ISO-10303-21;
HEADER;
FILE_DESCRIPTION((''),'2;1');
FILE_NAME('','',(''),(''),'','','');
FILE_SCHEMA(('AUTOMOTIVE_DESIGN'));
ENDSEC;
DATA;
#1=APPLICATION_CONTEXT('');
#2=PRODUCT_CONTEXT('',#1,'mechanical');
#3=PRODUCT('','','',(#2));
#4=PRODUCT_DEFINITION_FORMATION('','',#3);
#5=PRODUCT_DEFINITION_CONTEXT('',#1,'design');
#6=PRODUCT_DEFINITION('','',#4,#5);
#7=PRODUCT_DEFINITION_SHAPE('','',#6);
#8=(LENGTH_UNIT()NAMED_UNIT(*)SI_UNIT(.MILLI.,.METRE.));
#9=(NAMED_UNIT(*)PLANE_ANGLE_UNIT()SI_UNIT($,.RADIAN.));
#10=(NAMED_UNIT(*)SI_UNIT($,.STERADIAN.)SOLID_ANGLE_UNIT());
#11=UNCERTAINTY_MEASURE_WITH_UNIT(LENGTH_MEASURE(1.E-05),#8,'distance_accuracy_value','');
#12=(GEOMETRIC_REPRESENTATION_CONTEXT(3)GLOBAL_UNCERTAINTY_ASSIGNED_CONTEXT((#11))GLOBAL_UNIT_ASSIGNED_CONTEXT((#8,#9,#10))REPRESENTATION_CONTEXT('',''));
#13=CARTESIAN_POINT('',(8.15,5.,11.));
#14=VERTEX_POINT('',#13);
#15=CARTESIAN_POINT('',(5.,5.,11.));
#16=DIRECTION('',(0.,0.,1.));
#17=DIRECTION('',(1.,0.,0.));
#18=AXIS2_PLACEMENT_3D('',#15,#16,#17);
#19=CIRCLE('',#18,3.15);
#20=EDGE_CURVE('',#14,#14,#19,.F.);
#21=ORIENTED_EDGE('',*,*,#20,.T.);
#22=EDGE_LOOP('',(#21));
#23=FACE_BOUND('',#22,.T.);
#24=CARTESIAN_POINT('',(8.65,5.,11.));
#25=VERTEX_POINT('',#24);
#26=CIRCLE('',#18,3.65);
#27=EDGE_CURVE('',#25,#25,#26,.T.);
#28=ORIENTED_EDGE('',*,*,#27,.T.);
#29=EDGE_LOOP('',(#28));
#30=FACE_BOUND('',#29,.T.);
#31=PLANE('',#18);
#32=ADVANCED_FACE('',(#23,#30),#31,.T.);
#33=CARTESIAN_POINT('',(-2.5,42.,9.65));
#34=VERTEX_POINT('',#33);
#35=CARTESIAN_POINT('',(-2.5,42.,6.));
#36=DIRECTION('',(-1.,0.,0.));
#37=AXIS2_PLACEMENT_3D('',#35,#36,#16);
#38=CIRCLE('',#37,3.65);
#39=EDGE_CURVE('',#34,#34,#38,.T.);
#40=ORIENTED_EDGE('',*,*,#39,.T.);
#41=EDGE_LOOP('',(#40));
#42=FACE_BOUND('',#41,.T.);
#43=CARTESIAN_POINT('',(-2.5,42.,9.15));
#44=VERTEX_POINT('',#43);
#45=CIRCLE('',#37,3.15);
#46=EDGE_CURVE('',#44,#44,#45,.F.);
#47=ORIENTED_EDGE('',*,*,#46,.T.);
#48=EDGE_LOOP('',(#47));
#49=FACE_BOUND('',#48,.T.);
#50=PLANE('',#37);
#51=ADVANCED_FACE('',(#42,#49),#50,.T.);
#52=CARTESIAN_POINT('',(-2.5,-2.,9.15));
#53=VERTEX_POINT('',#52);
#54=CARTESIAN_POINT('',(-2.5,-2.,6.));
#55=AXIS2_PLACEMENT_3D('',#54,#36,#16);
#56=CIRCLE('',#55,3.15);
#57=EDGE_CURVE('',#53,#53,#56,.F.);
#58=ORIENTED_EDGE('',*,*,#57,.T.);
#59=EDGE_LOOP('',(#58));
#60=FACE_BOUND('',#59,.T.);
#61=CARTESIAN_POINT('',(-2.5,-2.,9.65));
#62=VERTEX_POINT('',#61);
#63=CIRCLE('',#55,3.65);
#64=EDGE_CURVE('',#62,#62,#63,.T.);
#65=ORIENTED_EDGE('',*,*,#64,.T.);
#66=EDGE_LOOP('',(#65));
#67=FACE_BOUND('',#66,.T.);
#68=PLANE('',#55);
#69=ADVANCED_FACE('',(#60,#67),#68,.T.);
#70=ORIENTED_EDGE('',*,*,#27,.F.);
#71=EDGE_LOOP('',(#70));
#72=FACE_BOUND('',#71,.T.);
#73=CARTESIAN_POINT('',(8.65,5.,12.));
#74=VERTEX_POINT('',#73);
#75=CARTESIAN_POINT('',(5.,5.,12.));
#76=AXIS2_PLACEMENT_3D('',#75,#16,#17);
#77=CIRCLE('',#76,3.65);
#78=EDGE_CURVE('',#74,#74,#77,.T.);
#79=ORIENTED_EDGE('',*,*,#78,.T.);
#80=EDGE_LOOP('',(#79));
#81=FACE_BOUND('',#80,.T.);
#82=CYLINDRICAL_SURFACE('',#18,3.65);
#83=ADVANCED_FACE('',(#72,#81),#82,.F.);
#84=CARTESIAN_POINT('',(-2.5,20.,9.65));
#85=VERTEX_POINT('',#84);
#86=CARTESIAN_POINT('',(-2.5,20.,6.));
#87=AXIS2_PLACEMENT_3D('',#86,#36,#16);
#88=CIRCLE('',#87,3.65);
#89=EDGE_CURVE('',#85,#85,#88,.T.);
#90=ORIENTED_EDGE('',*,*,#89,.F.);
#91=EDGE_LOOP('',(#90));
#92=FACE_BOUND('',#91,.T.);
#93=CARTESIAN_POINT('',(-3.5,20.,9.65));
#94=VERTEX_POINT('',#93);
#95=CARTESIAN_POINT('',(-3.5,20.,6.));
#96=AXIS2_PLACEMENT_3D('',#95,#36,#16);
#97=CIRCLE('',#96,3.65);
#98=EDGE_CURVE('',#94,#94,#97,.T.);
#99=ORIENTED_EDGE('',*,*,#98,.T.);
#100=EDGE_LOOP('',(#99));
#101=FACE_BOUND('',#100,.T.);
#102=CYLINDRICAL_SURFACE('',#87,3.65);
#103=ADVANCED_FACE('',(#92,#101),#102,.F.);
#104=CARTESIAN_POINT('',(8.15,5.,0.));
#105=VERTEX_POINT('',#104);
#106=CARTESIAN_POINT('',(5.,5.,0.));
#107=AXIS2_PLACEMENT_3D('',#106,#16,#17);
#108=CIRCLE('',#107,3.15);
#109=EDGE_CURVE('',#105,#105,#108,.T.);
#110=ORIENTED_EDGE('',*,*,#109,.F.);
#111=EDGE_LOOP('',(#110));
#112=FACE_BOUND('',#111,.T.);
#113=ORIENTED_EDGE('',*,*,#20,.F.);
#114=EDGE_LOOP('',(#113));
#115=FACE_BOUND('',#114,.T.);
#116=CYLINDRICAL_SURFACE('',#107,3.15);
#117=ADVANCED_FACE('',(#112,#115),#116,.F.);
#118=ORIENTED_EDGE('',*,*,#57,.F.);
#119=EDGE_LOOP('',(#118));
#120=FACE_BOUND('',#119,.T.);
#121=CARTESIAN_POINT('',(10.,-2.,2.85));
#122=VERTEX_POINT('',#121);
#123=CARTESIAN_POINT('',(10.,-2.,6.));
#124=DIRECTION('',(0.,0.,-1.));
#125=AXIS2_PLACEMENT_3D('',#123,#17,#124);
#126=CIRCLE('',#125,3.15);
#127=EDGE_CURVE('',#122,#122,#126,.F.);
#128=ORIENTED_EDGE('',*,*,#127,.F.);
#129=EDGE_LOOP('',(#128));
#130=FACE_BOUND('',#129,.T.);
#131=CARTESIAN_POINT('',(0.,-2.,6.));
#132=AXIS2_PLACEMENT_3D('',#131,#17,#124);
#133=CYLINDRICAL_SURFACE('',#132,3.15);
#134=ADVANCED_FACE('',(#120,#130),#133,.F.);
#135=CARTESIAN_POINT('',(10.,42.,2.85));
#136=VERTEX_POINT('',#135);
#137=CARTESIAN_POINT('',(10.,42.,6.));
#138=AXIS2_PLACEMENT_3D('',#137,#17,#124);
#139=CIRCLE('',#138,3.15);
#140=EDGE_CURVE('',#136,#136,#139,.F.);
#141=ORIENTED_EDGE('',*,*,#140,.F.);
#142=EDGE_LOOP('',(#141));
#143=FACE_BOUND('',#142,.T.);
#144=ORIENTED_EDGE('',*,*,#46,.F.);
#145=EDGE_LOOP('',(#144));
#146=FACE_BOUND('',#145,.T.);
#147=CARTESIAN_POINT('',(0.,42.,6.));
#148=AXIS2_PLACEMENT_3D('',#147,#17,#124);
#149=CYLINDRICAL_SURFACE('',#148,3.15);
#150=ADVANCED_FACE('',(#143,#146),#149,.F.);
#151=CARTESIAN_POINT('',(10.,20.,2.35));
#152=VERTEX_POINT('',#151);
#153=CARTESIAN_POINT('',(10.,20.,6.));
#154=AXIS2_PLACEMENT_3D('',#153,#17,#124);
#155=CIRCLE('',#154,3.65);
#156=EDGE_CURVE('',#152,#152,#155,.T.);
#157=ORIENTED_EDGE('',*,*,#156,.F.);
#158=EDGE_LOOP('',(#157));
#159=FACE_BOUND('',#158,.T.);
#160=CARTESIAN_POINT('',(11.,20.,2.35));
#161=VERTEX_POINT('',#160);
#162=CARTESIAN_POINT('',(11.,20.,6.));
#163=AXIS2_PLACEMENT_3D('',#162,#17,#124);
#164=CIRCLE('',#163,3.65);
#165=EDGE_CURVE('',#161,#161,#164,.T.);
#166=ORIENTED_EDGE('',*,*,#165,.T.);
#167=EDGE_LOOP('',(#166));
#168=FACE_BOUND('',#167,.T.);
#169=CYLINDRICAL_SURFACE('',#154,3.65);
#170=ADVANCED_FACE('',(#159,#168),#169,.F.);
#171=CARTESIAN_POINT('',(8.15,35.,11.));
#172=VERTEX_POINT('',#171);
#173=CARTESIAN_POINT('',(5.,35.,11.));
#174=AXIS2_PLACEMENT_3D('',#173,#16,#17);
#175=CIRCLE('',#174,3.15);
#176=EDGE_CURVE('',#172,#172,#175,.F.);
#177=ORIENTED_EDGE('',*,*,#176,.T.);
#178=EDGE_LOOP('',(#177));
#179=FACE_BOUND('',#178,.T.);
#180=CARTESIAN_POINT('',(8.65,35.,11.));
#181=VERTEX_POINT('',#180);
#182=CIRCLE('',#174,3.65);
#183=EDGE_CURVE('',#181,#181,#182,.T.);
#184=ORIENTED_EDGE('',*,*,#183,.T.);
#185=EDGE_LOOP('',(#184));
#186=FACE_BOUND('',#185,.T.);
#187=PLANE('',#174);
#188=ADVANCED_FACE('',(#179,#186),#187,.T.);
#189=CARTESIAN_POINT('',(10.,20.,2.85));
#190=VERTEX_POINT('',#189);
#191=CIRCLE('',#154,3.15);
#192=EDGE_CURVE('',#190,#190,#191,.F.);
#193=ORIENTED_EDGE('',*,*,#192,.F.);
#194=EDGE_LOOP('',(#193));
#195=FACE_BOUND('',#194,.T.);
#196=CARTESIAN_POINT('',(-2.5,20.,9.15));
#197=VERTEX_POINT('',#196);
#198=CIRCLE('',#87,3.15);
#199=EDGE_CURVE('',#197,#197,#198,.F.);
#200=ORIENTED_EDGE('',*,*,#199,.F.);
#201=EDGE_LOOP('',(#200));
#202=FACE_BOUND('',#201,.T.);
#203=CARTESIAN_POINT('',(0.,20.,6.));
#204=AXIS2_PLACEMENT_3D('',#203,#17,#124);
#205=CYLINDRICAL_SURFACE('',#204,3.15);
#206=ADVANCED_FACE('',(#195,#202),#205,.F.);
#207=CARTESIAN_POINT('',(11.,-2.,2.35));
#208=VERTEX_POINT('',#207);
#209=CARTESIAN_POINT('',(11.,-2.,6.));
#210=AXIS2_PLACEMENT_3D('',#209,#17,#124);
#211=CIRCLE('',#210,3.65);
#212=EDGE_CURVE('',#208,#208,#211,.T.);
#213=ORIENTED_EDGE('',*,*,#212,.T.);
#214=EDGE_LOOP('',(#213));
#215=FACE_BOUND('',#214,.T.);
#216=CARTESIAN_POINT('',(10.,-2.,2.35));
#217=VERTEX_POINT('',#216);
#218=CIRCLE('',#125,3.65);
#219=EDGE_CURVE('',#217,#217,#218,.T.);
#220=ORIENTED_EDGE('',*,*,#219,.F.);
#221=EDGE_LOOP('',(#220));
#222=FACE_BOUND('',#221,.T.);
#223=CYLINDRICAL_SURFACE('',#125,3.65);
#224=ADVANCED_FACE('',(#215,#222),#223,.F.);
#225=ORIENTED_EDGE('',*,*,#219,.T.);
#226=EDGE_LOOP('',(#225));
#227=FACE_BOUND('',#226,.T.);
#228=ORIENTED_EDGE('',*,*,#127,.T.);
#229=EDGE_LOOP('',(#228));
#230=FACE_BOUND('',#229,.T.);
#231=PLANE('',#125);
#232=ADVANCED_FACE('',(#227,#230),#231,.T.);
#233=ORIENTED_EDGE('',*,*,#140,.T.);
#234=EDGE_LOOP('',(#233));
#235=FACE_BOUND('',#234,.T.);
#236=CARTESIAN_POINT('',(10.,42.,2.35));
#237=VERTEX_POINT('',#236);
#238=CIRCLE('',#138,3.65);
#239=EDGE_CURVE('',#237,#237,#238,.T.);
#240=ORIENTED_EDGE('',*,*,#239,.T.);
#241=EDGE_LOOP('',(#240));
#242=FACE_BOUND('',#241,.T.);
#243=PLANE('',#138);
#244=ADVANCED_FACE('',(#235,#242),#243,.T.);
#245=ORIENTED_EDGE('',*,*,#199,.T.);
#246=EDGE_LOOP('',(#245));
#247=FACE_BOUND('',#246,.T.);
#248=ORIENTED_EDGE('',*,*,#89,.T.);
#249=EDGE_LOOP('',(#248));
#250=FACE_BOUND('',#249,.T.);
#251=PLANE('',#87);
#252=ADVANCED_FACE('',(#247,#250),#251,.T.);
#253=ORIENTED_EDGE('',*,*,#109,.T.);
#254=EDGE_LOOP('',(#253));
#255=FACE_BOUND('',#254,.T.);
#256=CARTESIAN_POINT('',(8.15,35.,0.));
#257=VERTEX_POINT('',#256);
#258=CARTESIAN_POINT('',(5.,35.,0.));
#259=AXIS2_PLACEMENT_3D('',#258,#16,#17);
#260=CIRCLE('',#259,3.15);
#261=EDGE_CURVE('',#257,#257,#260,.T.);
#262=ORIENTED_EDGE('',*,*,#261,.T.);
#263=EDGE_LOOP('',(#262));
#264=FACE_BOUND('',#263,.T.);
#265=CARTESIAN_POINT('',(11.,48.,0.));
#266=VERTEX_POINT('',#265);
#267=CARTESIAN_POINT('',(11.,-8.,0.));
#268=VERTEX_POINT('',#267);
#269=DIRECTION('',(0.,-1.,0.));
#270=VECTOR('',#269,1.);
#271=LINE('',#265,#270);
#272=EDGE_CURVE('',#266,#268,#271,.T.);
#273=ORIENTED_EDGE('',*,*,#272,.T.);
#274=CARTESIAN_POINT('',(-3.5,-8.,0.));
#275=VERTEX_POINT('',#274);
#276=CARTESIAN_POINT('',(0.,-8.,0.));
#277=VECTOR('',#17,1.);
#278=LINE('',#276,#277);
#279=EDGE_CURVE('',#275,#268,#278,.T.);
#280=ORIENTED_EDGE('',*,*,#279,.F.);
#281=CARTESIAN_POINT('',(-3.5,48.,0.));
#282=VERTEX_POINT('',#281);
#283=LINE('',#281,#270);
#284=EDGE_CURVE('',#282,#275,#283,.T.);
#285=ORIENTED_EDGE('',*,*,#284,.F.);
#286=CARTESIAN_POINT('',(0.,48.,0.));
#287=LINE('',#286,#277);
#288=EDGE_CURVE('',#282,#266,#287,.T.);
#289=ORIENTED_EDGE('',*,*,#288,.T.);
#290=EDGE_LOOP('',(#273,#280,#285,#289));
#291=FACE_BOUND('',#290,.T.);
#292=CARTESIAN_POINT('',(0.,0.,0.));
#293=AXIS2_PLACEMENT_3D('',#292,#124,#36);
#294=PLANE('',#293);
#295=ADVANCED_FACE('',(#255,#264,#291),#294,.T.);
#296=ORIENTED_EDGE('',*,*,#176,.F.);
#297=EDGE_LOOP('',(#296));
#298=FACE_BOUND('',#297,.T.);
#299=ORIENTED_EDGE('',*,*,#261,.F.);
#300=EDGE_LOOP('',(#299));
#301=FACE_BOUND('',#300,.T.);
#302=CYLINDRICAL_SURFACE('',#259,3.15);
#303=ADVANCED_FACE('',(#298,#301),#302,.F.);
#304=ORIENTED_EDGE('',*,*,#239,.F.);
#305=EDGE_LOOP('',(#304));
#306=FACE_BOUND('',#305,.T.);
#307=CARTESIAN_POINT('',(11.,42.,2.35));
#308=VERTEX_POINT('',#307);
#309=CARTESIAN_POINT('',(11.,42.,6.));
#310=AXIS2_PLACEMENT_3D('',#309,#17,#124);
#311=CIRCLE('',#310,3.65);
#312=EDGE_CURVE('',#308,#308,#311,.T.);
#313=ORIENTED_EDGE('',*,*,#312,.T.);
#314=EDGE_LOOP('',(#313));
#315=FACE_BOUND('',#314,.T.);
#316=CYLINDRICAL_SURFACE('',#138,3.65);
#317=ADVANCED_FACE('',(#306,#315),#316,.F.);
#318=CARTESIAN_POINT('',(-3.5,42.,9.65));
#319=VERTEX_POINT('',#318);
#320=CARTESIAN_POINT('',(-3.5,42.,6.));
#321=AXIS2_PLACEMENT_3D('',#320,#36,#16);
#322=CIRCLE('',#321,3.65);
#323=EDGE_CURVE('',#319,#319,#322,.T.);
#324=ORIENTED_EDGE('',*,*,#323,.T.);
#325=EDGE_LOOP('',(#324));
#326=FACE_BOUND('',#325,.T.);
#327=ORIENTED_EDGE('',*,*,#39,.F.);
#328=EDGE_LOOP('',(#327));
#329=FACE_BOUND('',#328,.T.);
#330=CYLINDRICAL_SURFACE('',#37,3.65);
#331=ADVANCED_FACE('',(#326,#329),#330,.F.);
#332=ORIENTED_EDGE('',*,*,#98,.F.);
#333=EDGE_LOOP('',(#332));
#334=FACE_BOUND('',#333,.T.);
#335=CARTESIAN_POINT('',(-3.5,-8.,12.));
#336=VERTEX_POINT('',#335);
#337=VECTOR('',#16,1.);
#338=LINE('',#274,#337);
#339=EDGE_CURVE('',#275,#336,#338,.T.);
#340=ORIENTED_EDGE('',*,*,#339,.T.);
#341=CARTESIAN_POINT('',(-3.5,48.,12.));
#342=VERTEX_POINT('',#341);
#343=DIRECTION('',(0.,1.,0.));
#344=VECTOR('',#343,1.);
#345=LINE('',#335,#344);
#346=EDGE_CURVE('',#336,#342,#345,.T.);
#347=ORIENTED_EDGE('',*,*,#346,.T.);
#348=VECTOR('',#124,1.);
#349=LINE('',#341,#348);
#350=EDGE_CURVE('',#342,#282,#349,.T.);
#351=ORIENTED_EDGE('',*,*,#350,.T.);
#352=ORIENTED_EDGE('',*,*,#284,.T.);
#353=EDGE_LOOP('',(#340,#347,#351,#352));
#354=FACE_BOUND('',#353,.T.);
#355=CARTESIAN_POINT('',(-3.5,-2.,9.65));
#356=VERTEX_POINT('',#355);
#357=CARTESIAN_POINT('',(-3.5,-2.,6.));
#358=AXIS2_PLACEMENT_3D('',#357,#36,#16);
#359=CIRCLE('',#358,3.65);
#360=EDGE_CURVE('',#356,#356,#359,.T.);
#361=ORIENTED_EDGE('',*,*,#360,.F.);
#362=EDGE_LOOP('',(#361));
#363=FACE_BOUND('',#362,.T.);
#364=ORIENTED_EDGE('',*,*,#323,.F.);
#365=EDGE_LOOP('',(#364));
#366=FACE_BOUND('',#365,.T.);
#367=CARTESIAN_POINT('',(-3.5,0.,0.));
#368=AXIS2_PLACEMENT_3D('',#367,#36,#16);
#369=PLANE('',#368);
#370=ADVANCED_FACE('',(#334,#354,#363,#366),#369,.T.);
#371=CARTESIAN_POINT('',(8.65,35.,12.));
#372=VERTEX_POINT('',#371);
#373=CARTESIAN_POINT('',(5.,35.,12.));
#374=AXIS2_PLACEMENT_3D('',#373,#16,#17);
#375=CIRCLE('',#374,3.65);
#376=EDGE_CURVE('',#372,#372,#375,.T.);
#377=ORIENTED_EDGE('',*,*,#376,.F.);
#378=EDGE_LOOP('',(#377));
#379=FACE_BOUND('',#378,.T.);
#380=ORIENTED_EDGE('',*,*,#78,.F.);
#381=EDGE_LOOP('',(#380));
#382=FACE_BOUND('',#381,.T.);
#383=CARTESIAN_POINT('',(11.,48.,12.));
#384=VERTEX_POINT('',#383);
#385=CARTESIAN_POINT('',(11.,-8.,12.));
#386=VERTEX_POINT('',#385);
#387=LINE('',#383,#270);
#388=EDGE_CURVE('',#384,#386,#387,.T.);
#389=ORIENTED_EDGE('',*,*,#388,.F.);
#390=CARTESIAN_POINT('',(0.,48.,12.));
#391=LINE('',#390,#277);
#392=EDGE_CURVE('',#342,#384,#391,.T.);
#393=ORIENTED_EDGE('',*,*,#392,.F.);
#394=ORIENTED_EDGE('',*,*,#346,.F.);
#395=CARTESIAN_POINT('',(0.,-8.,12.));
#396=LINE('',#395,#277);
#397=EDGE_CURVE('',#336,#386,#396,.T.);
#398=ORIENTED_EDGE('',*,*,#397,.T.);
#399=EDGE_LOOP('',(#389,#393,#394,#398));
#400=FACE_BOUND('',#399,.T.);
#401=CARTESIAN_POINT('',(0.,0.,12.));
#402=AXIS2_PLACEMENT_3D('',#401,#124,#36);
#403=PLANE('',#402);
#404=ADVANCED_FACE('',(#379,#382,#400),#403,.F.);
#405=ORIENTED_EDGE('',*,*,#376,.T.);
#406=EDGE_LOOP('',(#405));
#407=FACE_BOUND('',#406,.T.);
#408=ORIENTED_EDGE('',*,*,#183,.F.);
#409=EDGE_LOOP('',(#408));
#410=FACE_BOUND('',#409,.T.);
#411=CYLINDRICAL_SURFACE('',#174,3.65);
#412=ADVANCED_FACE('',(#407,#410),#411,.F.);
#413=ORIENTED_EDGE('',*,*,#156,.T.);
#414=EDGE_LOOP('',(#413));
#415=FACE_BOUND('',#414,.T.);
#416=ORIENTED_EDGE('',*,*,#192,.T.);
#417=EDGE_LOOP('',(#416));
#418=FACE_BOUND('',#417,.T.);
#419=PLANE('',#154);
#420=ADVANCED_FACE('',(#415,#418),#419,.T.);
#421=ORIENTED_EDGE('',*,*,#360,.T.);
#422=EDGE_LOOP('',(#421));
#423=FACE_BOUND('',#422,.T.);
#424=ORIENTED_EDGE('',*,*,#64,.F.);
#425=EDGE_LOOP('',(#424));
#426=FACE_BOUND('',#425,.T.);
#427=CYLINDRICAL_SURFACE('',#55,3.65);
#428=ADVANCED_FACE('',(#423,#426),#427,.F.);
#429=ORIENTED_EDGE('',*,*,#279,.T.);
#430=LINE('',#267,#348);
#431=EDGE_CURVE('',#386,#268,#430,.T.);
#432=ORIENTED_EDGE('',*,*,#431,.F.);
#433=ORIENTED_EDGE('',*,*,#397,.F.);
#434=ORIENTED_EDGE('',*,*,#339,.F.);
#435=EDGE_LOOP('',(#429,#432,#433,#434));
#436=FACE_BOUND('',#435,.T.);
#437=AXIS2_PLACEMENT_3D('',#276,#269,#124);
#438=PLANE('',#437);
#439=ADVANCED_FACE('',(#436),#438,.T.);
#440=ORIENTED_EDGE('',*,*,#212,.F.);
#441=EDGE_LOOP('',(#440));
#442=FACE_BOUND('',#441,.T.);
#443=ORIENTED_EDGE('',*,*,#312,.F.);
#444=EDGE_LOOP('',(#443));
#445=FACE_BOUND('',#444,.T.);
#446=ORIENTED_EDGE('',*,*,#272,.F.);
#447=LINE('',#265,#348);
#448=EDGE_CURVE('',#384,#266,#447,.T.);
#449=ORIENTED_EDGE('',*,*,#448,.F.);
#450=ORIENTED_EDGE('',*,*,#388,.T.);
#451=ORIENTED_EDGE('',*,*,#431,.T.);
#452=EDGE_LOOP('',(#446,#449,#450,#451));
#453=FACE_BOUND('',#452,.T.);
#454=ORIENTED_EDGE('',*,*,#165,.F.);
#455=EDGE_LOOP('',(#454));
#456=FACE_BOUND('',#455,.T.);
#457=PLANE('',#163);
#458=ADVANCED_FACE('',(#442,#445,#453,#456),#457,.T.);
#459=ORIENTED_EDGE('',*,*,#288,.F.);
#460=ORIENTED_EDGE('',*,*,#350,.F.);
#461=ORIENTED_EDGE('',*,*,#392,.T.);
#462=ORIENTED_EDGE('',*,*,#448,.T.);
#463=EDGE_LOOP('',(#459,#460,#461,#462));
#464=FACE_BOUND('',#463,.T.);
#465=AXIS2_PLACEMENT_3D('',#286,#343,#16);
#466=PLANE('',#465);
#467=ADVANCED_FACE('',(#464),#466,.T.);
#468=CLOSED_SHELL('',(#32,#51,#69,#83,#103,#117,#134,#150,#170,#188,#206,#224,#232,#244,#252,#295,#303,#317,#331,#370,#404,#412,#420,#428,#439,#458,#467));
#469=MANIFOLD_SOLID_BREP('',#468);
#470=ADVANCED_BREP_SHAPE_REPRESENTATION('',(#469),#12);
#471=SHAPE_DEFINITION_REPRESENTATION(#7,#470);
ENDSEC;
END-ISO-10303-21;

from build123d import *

# Parameters (mm, degrees)
ESQUISSE1_W                  = 12
ESQUISSE1_H                  = 40
BOSS_EXTRU_1_DEPTH           = 12
ESQUISSE3_R                  = 3.15
ENL_V_MAT_EXTRU_1_DEPTH      = 44.451121965
ENL_V_MAT_EXTRU_1_DEPTH_BACK = 44.451121965
ESQUISSE4_R                  = 3.15
ENL_V_MAT_EXTRU_2_DEPTH      = 44.451121965
ENL_V_MAT_EXTRU_2_DEPTH_BACK = 44.451121965
ESQUISSE5_R                  = 3.65
ENL_V_MAT_EXTRU_3_DEPTH      = 1
ESQUISSE6_R                  = 3.65
ENL_V_MAT_EXTRU_4_DEPTH      = 1
ESQUISSE7_W                  = 12
ESQUISSE7_H                  = 8
BOSS_EXTRU_2_DEPTH           = 12
ESQUISSE8_W                  = 1
ESQUISSE8_H                  = 12
ENL_V_MAT_EXTRU_5_DEPTH      = 59.514955353
ENL_V_MAT_EXTRU_5_DEPTH_BACK = 59.514955353
ESQUISSE9_R                  = 3.15
ENL_V_MAT_EXTRU_6_DEPTH      = 51.68530359
ENL_V_MAT_EXTRU_6_DEPTH_BACK = 51.68530359
ESQUISSE11_W                 = 12
ESQUISSE11_H                 = 56
ESQUISSE11_R                 = 3.15
BOSS_EXTRU_3_DEPTH           = 3.5
ESQUISSE12_R                 = 3.65
ENL_V_MAT_EXTRU_8_DEPTH      = 1
ESQUISSE13_R                 = 3.65
ENL_V_MAT_EXTRU_9_DEPTH      = 1


with BuildPart() as part:
    # Esquisse1 → Boss.-Extru.1 (new body)
    with BuildSketch(Plane.XY):
        with Locations((6, 20)):
            Rectangle(ESQUISSE1_W, ESQUISSE1_H)
    extrude(amount=BOSS_EXTRU_1_DEPTH)

    # Esquisse3 → Enlèv. mat.-Extru.1 (cut, two sides)
    with BuildSketch(Plane.XY.offset(12)) as enl_v_mat_extru_1_sk:
        with Locations((5, 5)):
            Circle(ESQUISSE3_R)
        with Locations((5, 35)):
            Circle(ESQUISSE3_R)
    extrude(amount=ENL_V_MAT_EXTRU_1_DEPTH, mode=Mode.SUBTRACT)
    extrude(enl_v_mat_extru_1_sk.sketch, amount=-ENL_V_MAT_EXTRU_1_DEPTH_BACK, mode=Mode.SUBTRACT)

    # Esquisse4 → Enlèv. mat.-Extru.2 (cut, two sides)
    with BuildSketch(Plane(origin=(12, 0, 0), x_dir=(0, 0, -1), z_dir=(1, 0, 0))) as enl_v_mat_extru_2_sk:
        with Locations((-6, 20)):
            Circle(ESQUISSE4_R)
    extrude(amount=ENL_V_MAT_EXTRU_2_DEPTH, mode=Mode.SUBTRACT)
    extrude(enl_v_mat_extru_2_sk.sketch, amount=-ENL_V_MAT_EXTRU_2_DEPTH_BACK, mode=Mode.SUBTRACT)

    # Esquisse5 → Enlèv. mat.-Extru.3 (cut)
    with BuildSketch(Plane.XY.offset(12)):
        with Locations((5, 35)):
            Circle(ESQUISSE5_R)
        with Locations((5, 5)):
            Circle(ESQUISSE5_R)
    extrude(amount=-ENL_V_MAT_EXTRU_3_DEPTH, mode=Mode.SUBTRACT)

    # Esquisse6 → Enlèv. mat.-Extru.4 (cut)
    with BuildSketch(Plane(origin=(12, 0, 0), x_dir=(0, 0, -1), z_dir=(1, 0, 0))):
        with Locations((-6, 20)):
            Circle(ESQUISSE6_R)
    extrude(amount=-ENL_V_MAT_EXTRU_4_DEPTH, mode=Mode.SUBTRACT)

    # Esquisse7 → Boss.-Extru.2 (add)
    with BuildSketch(Plane(origin=(12, 0, 0), x_dir=(0, 0, -1), z_dir=(1, 0, 0))):
        with Locations((-6, -4)):
            Rectangle(ESQUISSE7_W, ESQUISSE7_H)
        with Locations((-6, 44)):
            Rectangle(ESQUISSE7_W, ESQUISSE7_H)
    extrude(amount=-BOSS_EXTRU_2_DEPTH)

    # Esquisse8 → Enlèv. mat.-Extru.5 (cut, two sides)
    with BuildSketch(Plane.XZ.offset(8)) as enl_v_mat_extru_5_sk:
        with Locations((11.5, 6)):
            Rectangle(ESQUISSE8_W, ESQUISSE8_H)
    extrude(amount=ENL_V_MAT_EXTRU_5_DEPTH, mode=Mode.SUBTRACT)
    extrude(enl_v_mat_extru_5_sk.sketch, amount=-ENL_V_MAT_EXTRU_5_DEPTH_BACK, mode=Mode.SUBTRACT)

    # Esquisse9 → Enlèv. mat.-Extru.6 (cut, two sides)
    with BuildSketch(Plane(origin=(11, 0, 0), x_dir=(0, 0, -1), z_dir=(1, 0, 0))) as enl_v_mat_extru_6_sk:
        with Locations((-6, 42)):
            Circle(ESQUISSE9_R)
        with Locations((-6, -2)):
            Circle(ESQUISSE9_R)
    extrude(amount=ENL_V_MAT_EXTRU_6_DEPTH, mode=Mode.SUBTRACT)
    extrude(enl_v_mat_extru_6_sk.sketch, amount=-ENL_V_MAT_EXTRU_6_DEPTH_BACK, mode=Mode.SUBTRACT)

    # Esquisse11 → Boss.-Extru.3 (add)
    with BuildSketch(Plane.ZY):
        with Locations((6, 20)):
            Rectangle(ESQUISSE11_W, ESQUISSE11_H)
        with Locations(Location((6, -2, 0), (0, 0, 180))):
            Circle(ESQUISSE11_R, mode=Mode.SUBTRACT)
        with Locations(Location((6, 20, 0), (0, 0, 180))):
            Circle(ESQUISSE11_R, mode=Mode.SUBTRACT)
        with Locations(Location((6, 42, 0), (0, 0, 180))):
            Circle(ESQUISSE11_R, mode=Mode.SUBTRACT)
    extrude(amount=BOSS_EXTRU_3_DEPTH)

    # Esquisse12 → Enlèv. mat.-Extru.8 (cut)
    with BuildSketch(Plane.ZY.offset(3.5)):
        with Locations((6, 42)):
            Circle(ESQUISSE12_R)
        with Locations((6, 20)):
            Circle(ESQUISSE12_R)
        with Locations((6, -2)):
            Circle(ESQUISSE12_R)
    extrude(amount=-ENL_V_MAT_EXTRU_8_DEPTH, mode=Mode.SUBTRACT)

    # Esquisse13 → Enlèv. mat.-Extru.9 (cut)
    with BuildSketch(Plane(origin=(11, 0, 0), x_dir=(0, 0, -1), z_dir=(1, 0, 0))):
        with Locations(Location((-6, -2, 0), (0, 0, 180))):
            Circle(ESQUISSE13_R)
        with Locations(Location((-6, 20, 0), (0, 0, 180))):
            Circle(ESQUISSE13_R)
        with Locations(Location((-6, 42, 0), (0, 0, 180))):
            Circle(ESQUISSE13_R)
    extrude(amount=-ENL_V_MAT_EXTRU_9_DEPTH, mode=Mode.SUBTRACT)


solid = part.part
